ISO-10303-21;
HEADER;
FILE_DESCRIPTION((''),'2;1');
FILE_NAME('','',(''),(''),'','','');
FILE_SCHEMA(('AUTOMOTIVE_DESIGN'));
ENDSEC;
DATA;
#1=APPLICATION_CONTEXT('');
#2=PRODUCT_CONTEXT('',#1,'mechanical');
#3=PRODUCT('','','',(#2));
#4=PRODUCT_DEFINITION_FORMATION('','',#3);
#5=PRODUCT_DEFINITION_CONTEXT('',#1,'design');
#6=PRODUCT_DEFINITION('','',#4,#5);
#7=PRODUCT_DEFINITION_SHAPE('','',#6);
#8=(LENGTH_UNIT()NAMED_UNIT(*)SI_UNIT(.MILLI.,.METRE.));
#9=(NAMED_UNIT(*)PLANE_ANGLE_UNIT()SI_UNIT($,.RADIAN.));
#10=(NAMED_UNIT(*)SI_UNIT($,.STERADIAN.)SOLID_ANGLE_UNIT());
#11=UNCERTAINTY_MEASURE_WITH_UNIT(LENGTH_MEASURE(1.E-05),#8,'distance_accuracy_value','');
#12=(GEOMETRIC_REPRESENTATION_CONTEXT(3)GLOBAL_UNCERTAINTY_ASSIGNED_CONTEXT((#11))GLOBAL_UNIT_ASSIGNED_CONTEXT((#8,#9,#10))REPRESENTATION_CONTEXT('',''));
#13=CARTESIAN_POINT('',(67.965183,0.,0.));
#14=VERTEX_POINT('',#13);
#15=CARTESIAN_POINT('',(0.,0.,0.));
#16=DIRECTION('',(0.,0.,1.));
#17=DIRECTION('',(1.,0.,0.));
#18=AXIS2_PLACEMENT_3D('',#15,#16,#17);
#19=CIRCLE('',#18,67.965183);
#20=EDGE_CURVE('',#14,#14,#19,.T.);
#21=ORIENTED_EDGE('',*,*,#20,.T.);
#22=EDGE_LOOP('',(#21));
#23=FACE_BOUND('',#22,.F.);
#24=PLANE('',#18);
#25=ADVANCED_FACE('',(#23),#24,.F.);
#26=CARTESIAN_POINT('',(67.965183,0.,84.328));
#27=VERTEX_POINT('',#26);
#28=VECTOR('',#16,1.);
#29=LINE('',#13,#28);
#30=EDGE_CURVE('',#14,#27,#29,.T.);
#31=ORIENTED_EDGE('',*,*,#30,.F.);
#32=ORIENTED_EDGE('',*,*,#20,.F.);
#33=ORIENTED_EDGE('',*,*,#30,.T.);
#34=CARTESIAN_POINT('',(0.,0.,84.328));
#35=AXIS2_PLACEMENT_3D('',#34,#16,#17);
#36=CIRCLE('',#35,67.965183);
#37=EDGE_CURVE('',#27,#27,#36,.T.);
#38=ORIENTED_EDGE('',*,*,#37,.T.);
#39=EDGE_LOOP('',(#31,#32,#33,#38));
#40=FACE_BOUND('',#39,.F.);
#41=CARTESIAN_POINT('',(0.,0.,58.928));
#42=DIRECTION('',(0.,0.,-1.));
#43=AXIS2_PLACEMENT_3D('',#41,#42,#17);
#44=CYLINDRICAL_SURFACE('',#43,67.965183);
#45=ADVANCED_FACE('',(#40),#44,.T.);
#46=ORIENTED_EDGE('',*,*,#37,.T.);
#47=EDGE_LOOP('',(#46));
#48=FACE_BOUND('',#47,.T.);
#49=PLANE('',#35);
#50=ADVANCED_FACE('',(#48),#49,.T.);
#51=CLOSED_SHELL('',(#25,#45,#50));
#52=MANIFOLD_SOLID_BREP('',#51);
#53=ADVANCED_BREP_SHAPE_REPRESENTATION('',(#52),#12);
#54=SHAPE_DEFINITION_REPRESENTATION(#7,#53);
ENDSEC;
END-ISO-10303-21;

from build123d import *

# Parameters (mm, degrees)
F0_R      = 67.965183
F1_DEPTH  = 58.928
F1_FACE_R = 67.965183
F3_DEPTH  = 25.4


with BuildPart() as f1:
    # F0 (on Top) → F1 (new body)
    with BuildSketch(Plane.XY):
        Circle(F0_R)
    extrude(amount=F1_DEPTH)

    # F2 (on Top) + F1_face (on face) → F3 (join)
    with BuildSketch(Plane.XY):
        Polygon((-24.519621, -40.824954), (23.496911, -40.40869), (47.144682, 1.382979), (22.775921, 42.758383), (-25.240611, 42.342119), (-48.888382, 0.550451), align=None)
    with BuildSketch(Plane.XY.offset(58.928)):
        Circle(F1_FACE_R)
    extrude(amount=F3_DEPTH)


solid = f1.part
